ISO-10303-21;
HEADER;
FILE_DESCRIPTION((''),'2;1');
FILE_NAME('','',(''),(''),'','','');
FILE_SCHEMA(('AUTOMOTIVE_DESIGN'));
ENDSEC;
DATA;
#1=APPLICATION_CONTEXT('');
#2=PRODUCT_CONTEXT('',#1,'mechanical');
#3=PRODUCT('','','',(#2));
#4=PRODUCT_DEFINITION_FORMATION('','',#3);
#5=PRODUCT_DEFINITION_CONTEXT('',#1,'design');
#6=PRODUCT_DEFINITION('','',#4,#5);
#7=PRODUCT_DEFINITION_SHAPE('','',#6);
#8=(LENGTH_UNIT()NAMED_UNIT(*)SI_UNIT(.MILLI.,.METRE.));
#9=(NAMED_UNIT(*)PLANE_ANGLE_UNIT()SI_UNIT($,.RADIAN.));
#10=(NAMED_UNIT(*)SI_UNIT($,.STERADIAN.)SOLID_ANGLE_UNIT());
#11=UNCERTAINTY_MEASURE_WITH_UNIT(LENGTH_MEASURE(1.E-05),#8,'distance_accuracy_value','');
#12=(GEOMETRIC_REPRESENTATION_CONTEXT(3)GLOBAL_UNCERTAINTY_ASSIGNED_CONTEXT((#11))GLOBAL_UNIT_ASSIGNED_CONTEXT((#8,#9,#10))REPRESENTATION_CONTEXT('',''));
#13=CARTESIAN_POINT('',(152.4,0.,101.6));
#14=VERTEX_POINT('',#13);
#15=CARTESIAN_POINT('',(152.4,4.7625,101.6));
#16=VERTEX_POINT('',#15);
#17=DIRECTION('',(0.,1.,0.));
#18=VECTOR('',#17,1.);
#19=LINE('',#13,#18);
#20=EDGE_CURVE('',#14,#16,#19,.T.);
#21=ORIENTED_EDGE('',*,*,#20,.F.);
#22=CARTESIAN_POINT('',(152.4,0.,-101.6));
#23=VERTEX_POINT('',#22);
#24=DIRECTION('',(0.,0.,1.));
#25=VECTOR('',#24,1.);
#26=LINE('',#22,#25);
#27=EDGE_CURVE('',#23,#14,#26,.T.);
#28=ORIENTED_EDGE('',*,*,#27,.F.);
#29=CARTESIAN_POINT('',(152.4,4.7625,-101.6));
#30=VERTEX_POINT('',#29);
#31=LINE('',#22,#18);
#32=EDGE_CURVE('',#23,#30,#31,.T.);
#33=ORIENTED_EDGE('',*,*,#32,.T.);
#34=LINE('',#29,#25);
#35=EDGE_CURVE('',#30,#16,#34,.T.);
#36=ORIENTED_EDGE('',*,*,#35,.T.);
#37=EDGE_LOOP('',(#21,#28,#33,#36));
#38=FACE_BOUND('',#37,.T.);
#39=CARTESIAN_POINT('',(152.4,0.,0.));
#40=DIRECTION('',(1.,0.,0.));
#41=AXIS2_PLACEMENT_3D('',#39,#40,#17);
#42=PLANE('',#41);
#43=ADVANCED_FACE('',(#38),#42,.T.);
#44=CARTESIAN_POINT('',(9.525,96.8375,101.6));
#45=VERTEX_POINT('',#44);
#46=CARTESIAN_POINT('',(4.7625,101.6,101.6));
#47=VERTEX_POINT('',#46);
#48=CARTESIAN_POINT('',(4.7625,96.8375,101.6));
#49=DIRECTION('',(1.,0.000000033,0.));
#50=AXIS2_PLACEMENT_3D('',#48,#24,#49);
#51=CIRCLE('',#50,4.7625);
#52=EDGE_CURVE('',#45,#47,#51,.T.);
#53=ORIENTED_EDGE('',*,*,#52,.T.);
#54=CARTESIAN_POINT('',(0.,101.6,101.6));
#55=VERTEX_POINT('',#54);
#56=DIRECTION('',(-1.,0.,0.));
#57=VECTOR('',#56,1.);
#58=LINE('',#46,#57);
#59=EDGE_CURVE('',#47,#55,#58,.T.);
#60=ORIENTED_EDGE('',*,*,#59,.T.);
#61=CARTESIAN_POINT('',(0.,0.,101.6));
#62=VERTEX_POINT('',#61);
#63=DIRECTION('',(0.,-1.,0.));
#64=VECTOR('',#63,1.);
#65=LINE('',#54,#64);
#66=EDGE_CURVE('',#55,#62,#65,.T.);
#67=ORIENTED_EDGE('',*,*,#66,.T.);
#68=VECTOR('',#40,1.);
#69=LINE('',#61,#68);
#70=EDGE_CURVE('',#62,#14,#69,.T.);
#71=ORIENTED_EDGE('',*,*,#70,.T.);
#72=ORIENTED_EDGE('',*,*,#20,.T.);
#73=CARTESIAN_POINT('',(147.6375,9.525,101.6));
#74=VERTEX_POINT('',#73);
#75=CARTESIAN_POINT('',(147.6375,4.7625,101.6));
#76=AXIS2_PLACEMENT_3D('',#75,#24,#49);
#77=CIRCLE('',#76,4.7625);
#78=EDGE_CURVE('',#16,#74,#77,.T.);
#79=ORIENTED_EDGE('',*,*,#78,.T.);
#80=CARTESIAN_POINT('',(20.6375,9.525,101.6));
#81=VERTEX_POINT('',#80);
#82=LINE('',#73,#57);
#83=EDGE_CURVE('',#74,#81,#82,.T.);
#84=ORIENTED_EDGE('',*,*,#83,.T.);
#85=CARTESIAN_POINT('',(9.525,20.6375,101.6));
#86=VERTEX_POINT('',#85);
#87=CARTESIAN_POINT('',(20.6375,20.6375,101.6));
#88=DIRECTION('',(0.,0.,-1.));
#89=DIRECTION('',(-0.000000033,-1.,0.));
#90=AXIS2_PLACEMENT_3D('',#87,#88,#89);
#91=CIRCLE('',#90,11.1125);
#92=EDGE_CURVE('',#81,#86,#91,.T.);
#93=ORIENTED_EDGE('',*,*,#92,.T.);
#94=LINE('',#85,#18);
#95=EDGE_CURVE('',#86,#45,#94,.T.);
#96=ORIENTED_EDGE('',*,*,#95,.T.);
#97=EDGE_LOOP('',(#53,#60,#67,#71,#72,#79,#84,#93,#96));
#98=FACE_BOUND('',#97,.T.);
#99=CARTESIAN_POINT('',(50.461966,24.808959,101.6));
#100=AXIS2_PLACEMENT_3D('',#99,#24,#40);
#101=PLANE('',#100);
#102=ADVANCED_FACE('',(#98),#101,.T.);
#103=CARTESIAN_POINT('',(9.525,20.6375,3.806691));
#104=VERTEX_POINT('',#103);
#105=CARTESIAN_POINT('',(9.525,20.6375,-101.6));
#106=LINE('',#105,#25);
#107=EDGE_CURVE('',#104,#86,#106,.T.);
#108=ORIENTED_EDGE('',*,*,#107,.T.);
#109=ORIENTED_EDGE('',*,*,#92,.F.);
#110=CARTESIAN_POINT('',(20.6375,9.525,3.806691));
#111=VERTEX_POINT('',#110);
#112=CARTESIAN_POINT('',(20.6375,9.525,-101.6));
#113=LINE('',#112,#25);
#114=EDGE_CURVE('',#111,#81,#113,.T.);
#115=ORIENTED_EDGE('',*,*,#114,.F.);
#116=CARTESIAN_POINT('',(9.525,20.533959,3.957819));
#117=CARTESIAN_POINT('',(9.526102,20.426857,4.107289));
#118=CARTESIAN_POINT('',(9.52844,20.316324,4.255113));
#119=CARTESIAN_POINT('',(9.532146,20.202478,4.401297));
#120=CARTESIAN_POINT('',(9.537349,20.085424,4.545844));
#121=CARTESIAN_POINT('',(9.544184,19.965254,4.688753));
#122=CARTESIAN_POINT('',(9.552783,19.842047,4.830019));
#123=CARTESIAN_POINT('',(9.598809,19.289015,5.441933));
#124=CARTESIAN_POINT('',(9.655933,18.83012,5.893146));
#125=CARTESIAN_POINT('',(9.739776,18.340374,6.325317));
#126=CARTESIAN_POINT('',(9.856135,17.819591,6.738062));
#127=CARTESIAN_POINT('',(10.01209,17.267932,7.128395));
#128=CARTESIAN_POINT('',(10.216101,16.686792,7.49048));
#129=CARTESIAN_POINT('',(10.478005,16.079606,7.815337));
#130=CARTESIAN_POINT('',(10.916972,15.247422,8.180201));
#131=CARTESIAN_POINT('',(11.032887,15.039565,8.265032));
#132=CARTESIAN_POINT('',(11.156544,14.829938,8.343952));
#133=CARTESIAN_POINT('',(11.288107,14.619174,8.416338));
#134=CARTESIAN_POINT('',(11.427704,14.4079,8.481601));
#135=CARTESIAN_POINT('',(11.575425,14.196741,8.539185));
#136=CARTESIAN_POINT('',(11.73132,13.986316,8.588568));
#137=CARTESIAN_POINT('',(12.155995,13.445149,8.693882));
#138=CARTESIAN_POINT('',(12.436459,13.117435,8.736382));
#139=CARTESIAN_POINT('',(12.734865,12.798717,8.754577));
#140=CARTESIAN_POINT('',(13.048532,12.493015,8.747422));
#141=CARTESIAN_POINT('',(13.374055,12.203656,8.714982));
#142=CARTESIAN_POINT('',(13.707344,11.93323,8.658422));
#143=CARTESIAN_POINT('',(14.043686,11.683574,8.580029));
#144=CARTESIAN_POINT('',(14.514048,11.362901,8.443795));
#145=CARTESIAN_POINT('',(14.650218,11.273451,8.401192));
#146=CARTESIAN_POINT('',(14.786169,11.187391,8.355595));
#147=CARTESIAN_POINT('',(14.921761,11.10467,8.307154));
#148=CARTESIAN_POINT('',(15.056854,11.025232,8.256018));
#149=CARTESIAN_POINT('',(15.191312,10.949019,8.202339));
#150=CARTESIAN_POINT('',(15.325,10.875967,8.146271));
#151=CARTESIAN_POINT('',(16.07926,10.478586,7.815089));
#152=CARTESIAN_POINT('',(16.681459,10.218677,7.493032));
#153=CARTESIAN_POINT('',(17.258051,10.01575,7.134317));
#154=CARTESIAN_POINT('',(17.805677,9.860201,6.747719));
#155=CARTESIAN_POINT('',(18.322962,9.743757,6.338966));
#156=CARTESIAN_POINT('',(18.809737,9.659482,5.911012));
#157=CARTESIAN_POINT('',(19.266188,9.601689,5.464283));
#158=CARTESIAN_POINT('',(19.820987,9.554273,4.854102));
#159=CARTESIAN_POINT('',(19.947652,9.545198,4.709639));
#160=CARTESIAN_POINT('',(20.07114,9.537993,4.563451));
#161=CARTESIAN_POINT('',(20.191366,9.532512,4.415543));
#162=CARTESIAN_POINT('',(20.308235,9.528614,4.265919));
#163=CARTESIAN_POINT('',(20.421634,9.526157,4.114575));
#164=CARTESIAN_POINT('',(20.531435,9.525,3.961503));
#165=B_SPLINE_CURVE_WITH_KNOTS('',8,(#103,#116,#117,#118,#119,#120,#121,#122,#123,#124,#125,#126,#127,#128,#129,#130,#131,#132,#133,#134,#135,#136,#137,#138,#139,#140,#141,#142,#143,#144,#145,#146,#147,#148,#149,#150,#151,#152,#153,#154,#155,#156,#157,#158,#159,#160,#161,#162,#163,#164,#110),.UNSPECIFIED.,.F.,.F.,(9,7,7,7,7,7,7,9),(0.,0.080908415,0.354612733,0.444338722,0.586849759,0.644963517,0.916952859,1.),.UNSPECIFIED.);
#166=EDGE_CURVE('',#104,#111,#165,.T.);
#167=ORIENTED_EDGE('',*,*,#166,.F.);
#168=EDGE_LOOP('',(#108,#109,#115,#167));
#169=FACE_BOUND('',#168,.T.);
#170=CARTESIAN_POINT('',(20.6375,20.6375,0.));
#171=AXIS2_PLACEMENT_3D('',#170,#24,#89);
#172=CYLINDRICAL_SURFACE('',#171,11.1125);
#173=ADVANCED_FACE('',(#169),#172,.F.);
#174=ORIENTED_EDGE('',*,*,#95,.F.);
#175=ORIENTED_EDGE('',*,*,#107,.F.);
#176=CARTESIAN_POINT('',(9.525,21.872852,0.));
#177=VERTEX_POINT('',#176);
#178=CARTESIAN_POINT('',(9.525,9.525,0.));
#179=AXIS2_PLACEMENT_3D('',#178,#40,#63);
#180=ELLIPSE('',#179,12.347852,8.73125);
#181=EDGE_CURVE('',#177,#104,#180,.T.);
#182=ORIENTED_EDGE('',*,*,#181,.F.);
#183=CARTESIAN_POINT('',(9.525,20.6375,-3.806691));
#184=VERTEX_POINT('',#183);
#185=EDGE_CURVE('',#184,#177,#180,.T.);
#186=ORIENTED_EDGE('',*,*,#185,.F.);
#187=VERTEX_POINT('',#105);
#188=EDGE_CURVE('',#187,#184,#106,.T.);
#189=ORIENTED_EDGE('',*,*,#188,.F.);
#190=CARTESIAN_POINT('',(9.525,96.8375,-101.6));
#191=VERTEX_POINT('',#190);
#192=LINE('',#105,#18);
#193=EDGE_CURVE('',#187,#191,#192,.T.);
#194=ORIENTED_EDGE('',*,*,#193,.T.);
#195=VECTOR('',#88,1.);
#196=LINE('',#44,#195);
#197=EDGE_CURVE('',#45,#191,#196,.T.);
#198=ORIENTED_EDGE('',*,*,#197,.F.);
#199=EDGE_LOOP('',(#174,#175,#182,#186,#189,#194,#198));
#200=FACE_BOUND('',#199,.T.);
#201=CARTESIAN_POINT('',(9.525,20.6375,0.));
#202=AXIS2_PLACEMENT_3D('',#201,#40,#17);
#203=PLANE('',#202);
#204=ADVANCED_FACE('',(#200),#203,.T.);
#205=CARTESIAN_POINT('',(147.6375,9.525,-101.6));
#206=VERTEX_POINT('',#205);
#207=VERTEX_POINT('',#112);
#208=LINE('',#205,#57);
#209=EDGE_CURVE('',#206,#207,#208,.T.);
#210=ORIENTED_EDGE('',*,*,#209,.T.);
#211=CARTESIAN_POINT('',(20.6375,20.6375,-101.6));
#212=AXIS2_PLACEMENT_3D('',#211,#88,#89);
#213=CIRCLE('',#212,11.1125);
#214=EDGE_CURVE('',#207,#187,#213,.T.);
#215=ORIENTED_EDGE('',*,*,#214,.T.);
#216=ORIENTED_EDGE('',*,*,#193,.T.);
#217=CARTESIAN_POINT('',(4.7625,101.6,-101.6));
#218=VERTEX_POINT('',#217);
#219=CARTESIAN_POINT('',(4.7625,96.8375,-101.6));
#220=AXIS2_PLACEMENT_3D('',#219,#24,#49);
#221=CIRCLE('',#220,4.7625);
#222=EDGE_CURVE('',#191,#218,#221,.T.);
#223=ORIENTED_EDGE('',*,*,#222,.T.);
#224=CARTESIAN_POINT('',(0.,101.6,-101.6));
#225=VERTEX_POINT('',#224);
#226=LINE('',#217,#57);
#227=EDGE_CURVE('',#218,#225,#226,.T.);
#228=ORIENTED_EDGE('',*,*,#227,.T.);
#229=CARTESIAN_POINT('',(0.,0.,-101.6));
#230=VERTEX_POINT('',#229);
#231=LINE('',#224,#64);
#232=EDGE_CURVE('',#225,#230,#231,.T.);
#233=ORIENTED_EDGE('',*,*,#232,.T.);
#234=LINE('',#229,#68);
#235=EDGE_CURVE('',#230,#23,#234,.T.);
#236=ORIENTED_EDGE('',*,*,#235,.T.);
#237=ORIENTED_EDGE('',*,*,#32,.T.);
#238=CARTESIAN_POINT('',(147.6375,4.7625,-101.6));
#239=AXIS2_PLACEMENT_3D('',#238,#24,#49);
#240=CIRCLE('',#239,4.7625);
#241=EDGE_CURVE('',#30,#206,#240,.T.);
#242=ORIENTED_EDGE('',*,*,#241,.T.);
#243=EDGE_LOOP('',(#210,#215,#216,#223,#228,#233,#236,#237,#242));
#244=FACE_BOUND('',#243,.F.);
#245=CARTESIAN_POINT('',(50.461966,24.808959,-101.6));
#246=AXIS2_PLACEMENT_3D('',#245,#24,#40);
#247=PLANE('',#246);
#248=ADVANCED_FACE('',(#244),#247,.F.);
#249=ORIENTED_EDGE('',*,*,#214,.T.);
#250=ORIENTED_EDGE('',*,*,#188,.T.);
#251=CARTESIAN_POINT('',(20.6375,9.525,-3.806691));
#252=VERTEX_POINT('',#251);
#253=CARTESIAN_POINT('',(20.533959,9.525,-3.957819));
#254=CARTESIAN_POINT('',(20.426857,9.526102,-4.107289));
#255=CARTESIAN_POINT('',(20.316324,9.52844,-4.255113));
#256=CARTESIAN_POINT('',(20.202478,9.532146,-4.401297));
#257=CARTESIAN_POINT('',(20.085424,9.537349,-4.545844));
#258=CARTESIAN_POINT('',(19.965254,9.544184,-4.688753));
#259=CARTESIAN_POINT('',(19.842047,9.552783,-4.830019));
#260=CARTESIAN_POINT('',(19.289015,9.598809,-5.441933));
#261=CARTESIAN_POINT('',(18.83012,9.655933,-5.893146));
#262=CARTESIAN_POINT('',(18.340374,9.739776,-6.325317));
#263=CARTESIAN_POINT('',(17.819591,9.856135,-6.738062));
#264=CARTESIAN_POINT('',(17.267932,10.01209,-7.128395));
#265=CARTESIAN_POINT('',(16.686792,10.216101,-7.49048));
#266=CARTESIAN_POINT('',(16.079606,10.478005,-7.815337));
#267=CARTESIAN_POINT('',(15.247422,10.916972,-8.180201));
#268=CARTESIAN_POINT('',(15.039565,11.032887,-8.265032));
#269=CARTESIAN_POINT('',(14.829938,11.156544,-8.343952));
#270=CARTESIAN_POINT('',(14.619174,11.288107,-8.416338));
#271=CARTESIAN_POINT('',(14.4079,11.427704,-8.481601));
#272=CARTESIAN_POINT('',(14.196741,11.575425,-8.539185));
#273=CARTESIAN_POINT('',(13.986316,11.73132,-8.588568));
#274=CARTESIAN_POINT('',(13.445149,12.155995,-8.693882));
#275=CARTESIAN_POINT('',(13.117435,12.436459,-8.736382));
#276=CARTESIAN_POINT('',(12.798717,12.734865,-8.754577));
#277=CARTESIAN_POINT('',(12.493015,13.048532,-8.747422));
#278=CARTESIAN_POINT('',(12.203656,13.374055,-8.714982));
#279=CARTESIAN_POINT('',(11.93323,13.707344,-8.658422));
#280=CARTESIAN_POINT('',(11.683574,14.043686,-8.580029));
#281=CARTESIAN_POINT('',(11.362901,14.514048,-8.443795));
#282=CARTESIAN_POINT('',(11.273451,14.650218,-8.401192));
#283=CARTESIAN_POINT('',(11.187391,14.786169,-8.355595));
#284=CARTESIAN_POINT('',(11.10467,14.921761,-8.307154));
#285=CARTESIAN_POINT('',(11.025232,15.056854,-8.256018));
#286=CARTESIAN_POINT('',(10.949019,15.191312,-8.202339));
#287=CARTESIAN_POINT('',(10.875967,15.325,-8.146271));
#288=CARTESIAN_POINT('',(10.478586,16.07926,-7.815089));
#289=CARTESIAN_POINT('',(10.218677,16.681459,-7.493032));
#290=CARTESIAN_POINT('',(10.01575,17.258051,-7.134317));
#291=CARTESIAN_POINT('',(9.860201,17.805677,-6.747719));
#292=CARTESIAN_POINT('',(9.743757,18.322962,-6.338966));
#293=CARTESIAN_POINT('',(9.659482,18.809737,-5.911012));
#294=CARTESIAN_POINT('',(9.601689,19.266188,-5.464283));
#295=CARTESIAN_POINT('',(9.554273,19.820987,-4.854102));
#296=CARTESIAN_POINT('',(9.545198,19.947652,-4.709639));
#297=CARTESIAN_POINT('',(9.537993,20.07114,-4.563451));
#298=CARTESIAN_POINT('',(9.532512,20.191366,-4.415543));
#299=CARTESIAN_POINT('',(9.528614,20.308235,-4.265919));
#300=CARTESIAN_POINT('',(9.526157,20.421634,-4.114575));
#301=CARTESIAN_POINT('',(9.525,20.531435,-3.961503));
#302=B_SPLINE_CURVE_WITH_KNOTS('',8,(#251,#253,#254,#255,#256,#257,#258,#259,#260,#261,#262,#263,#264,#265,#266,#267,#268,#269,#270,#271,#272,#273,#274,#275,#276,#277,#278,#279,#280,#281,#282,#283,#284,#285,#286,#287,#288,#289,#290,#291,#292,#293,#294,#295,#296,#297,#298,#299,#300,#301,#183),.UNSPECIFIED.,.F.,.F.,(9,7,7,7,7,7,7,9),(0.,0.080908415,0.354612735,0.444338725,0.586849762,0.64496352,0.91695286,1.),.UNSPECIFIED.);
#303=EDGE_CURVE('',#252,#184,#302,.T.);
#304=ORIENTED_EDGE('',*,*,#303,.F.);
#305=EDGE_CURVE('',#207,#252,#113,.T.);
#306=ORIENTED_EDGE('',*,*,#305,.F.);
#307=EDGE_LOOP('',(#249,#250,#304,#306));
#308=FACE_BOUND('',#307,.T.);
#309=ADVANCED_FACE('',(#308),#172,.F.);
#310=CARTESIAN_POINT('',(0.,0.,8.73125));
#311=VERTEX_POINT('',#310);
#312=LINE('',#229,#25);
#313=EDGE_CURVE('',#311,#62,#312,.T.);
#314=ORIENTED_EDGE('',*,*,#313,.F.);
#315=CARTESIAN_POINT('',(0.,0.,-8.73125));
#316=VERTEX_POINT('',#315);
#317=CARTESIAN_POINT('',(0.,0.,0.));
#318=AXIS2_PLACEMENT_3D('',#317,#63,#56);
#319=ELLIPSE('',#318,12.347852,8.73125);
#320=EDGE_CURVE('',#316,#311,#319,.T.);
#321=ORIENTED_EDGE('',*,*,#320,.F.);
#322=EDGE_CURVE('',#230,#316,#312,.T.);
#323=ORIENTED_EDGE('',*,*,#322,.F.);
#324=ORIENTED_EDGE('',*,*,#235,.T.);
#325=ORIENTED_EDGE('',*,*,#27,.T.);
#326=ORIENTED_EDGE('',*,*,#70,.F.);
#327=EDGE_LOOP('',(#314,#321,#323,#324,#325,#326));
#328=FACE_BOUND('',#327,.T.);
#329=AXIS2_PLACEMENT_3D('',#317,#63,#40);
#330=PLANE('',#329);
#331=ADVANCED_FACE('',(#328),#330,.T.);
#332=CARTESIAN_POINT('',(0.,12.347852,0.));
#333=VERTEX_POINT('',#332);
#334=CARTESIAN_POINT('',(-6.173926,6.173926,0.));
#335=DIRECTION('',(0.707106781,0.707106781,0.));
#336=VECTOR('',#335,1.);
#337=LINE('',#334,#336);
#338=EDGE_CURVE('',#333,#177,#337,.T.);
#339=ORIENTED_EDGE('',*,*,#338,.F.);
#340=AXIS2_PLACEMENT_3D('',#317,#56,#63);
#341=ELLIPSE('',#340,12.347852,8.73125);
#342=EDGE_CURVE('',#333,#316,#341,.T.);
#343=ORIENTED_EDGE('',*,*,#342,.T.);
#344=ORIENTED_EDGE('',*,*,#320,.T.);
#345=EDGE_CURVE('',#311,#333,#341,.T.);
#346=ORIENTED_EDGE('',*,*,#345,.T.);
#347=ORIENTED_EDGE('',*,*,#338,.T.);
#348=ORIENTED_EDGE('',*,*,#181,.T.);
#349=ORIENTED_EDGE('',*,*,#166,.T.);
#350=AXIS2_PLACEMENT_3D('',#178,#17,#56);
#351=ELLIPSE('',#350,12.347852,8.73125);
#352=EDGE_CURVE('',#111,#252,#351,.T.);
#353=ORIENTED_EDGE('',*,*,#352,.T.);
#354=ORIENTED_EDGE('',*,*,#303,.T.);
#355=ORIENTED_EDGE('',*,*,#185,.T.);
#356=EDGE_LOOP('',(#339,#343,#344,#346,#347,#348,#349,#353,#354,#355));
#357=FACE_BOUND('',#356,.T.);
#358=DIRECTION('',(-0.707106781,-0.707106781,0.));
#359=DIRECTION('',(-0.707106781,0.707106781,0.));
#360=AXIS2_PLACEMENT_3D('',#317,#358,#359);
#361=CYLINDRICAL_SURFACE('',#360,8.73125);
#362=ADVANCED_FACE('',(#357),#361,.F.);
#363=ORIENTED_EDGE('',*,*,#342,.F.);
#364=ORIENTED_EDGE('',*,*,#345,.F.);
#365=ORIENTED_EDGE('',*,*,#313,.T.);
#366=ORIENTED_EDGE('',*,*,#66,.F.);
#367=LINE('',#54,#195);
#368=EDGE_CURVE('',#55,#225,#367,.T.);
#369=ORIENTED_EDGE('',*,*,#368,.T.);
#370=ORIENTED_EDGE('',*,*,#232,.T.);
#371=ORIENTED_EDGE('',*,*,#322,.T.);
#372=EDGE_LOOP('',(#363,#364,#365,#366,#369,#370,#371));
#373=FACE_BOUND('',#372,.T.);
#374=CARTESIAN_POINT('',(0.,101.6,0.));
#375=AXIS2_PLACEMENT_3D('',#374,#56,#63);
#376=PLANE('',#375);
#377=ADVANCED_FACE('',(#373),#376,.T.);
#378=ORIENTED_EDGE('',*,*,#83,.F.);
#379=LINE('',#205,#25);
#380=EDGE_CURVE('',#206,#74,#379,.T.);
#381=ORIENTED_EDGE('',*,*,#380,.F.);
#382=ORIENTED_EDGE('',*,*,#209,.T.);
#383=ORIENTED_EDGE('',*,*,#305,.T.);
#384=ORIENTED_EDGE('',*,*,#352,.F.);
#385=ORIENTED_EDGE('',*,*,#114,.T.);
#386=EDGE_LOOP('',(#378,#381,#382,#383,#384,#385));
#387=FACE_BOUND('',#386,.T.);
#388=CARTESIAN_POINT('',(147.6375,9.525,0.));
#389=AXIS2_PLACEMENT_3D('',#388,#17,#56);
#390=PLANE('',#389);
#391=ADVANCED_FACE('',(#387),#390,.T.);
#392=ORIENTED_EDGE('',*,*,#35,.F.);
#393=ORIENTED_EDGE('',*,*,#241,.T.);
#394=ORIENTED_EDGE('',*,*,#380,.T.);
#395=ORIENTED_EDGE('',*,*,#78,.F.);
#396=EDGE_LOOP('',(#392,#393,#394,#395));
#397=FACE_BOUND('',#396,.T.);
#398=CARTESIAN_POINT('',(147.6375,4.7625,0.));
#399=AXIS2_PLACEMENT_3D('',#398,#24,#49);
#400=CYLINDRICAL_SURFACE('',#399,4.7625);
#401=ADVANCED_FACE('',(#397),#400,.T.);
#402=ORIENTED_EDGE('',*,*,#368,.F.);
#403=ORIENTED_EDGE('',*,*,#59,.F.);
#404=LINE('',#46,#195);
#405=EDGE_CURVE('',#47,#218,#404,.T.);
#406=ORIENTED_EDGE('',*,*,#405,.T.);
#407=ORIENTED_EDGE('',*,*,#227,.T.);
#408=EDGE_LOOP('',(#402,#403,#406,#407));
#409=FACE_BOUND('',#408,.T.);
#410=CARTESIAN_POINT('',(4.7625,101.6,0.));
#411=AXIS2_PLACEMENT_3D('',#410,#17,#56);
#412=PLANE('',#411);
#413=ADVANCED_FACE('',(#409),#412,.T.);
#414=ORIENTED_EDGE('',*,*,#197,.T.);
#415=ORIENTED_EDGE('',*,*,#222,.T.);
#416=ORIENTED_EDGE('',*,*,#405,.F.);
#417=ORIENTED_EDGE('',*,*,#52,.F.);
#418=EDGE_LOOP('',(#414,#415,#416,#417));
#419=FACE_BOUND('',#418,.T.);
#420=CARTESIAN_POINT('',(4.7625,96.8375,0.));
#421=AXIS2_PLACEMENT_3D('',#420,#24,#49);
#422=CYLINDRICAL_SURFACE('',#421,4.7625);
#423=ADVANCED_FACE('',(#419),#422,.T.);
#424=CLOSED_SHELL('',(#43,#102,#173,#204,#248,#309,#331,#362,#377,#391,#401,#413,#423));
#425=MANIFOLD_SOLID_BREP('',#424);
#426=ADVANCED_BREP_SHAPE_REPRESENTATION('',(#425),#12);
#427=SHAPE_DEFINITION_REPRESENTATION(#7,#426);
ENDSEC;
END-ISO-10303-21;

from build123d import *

# Parameters (mm, degrees)
F1_DEPTH = 101.6
F3_R     = 8.73125
F4_DEPTH = 25.4


with BuildPart() as f1:
    # F0 (on Top) → F1 (new body, symmetric)
    with BuildSketch(Plane.XY):
        with BuildLine():
            Line((0, 101.6), (0, 0))
            Line((0, 0), (152.4, 0))
            Line((152.4, 0), (152.4, 4.7625))
            ThreePointArc((152.4, 4.7625), (151.005096, 8.130096), (147.6375, 9.525))
            Line((147.6375, 9.525), (20.6375, 9.525))
            ThreePointArc((20.6375, 9.525), (12.779776, 12.779776), (9.525, 20.6375))
            Line((9.525, 20.6375), (9.525, 96.8375))
            ThreePointArc((9.525, 96.8375), (8.130096, 100.205096), (4.7625, 101.6))
            Line((4.7625, 101.6), (0, 101.6))
        make_face()
    extrude(amount=F1_DEPTH, both=True)

    # F3 (on face) → F4 (cut)
    with BuildSketch(Plane(origin=(0, 0, 0), x_dir=(-0.707107, 0.707107, 0), z_dir=(0.707107, 0.707107, 0))):
        Circle(F3_R)
    extrude(amount=F4_DEPTH, mode=Mode.SUBTRACT)


solid = f1.part
